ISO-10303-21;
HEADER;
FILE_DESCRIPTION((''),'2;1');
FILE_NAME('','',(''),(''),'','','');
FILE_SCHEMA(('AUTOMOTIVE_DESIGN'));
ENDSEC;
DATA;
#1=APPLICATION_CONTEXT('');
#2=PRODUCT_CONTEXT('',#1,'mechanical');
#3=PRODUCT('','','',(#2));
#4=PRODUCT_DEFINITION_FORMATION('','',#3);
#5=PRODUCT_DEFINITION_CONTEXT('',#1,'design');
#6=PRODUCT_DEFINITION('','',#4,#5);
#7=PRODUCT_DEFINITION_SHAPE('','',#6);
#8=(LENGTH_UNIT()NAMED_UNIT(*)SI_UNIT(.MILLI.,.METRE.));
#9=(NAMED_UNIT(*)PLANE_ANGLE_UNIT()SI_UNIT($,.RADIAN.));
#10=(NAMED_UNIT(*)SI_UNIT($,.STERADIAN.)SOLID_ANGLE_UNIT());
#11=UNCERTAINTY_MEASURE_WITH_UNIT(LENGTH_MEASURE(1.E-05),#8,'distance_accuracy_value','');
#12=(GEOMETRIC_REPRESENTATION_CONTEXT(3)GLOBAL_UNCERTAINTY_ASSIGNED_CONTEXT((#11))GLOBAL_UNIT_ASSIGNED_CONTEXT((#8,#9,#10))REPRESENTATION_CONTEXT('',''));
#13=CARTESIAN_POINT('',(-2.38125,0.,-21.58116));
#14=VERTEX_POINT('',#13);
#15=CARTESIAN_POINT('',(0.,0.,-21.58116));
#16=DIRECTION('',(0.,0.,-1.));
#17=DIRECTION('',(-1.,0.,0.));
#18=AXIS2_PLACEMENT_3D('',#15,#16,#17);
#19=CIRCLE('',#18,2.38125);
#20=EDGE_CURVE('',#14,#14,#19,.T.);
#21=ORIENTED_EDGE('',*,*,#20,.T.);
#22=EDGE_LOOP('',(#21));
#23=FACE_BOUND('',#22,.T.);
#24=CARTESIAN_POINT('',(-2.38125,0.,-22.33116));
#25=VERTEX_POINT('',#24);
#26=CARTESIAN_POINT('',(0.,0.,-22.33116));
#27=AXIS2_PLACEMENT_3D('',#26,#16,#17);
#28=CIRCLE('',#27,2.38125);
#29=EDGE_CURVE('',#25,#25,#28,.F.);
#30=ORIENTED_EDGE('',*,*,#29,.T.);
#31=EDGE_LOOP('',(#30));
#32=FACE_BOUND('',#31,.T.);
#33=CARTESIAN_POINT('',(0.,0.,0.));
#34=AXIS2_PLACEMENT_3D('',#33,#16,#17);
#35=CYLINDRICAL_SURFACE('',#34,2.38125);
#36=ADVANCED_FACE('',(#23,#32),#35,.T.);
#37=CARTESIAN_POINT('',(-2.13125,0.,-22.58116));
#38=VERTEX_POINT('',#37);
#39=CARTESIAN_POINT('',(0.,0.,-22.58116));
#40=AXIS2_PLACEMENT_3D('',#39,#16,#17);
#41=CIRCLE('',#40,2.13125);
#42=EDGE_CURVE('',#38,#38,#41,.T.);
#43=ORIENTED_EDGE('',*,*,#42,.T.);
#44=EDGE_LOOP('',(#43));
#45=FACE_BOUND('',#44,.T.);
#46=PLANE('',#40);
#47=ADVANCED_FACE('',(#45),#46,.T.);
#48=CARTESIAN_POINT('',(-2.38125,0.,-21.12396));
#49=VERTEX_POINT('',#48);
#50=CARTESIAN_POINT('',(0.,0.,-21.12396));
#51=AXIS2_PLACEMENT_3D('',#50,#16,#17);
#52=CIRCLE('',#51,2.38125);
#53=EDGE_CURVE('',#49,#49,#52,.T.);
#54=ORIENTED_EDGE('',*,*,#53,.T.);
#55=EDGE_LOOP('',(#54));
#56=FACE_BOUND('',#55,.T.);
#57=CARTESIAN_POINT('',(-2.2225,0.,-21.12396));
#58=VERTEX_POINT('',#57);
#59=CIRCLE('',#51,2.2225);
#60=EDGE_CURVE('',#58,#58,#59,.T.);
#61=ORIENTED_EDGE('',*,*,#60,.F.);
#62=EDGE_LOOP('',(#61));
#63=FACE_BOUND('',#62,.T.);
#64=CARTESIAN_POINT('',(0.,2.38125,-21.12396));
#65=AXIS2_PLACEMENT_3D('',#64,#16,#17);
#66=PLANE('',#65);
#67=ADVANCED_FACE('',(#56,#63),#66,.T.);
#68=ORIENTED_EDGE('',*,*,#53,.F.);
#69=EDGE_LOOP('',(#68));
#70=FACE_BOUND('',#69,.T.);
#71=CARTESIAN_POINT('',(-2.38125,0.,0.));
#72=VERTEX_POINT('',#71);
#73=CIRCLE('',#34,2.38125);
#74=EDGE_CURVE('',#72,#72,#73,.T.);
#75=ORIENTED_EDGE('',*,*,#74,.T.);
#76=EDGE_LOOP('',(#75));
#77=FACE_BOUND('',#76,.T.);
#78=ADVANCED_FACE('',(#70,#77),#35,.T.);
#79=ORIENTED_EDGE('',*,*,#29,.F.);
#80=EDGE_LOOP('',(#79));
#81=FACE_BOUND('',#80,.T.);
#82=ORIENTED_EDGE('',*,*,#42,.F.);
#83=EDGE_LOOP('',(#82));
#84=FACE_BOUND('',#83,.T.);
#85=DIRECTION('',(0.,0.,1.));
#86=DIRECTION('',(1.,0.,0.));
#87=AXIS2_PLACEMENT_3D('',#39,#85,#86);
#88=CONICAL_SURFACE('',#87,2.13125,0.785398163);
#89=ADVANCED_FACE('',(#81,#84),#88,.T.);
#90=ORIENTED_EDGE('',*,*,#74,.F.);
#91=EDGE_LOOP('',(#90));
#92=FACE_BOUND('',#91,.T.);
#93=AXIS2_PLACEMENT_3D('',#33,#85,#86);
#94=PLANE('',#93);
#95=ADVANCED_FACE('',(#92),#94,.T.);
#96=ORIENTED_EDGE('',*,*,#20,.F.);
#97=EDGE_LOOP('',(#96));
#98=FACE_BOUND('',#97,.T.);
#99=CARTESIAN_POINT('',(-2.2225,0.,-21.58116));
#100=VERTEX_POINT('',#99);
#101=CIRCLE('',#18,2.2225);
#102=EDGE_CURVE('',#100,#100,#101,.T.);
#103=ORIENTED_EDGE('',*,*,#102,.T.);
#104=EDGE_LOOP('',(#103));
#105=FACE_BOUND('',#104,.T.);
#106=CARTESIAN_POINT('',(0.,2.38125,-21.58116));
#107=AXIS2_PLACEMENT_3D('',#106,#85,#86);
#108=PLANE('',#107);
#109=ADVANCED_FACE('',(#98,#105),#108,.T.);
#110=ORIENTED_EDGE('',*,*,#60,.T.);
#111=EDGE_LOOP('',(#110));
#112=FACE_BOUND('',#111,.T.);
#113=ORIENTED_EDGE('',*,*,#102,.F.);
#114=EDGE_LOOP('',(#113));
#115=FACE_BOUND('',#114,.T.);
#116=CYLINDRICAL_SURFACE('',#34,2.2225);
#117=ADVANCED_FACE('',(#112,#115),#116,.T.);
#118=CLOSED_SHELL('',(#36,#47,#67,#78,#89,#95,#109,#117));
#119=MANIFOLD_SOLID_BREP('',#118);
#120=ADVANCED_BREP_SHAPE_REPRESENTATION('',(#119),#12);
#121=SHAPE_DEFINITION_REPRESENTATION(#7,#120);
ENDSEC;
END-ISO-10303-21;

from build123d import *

# Parameters (mm, degrees)
CHAMFER1_SIZE = 0.25


with BuildPart() as part:
    # Sketch1 → Revolve1 (revolve)
    with BuildSketch(Plane(origin=(0, 0, 0), x_dir=(0, 0, -1), z_dir=(1, 0, 0))):
        Polygon((0, 0), (22.58116, 0), (22.58116, 2.38125), (21.58116, 2.38125), (21.58116, 2.2225), (21.12396, 2.2225), (21.12396, 2.38125), (0, 2.38125), align=None)
    revolve(axis=Axis((0, 0, 0), (0, 0, 1)))

    # Chamfer1
    chamfer1_edges = [part.edges().sort_by_distance(p)[0] for p in [
        (0, -2.38125, -22.58116),
    ]]
    chamfer(chamfer1_edges, length=CHAMFER1_SIZE)


solid = part.part
